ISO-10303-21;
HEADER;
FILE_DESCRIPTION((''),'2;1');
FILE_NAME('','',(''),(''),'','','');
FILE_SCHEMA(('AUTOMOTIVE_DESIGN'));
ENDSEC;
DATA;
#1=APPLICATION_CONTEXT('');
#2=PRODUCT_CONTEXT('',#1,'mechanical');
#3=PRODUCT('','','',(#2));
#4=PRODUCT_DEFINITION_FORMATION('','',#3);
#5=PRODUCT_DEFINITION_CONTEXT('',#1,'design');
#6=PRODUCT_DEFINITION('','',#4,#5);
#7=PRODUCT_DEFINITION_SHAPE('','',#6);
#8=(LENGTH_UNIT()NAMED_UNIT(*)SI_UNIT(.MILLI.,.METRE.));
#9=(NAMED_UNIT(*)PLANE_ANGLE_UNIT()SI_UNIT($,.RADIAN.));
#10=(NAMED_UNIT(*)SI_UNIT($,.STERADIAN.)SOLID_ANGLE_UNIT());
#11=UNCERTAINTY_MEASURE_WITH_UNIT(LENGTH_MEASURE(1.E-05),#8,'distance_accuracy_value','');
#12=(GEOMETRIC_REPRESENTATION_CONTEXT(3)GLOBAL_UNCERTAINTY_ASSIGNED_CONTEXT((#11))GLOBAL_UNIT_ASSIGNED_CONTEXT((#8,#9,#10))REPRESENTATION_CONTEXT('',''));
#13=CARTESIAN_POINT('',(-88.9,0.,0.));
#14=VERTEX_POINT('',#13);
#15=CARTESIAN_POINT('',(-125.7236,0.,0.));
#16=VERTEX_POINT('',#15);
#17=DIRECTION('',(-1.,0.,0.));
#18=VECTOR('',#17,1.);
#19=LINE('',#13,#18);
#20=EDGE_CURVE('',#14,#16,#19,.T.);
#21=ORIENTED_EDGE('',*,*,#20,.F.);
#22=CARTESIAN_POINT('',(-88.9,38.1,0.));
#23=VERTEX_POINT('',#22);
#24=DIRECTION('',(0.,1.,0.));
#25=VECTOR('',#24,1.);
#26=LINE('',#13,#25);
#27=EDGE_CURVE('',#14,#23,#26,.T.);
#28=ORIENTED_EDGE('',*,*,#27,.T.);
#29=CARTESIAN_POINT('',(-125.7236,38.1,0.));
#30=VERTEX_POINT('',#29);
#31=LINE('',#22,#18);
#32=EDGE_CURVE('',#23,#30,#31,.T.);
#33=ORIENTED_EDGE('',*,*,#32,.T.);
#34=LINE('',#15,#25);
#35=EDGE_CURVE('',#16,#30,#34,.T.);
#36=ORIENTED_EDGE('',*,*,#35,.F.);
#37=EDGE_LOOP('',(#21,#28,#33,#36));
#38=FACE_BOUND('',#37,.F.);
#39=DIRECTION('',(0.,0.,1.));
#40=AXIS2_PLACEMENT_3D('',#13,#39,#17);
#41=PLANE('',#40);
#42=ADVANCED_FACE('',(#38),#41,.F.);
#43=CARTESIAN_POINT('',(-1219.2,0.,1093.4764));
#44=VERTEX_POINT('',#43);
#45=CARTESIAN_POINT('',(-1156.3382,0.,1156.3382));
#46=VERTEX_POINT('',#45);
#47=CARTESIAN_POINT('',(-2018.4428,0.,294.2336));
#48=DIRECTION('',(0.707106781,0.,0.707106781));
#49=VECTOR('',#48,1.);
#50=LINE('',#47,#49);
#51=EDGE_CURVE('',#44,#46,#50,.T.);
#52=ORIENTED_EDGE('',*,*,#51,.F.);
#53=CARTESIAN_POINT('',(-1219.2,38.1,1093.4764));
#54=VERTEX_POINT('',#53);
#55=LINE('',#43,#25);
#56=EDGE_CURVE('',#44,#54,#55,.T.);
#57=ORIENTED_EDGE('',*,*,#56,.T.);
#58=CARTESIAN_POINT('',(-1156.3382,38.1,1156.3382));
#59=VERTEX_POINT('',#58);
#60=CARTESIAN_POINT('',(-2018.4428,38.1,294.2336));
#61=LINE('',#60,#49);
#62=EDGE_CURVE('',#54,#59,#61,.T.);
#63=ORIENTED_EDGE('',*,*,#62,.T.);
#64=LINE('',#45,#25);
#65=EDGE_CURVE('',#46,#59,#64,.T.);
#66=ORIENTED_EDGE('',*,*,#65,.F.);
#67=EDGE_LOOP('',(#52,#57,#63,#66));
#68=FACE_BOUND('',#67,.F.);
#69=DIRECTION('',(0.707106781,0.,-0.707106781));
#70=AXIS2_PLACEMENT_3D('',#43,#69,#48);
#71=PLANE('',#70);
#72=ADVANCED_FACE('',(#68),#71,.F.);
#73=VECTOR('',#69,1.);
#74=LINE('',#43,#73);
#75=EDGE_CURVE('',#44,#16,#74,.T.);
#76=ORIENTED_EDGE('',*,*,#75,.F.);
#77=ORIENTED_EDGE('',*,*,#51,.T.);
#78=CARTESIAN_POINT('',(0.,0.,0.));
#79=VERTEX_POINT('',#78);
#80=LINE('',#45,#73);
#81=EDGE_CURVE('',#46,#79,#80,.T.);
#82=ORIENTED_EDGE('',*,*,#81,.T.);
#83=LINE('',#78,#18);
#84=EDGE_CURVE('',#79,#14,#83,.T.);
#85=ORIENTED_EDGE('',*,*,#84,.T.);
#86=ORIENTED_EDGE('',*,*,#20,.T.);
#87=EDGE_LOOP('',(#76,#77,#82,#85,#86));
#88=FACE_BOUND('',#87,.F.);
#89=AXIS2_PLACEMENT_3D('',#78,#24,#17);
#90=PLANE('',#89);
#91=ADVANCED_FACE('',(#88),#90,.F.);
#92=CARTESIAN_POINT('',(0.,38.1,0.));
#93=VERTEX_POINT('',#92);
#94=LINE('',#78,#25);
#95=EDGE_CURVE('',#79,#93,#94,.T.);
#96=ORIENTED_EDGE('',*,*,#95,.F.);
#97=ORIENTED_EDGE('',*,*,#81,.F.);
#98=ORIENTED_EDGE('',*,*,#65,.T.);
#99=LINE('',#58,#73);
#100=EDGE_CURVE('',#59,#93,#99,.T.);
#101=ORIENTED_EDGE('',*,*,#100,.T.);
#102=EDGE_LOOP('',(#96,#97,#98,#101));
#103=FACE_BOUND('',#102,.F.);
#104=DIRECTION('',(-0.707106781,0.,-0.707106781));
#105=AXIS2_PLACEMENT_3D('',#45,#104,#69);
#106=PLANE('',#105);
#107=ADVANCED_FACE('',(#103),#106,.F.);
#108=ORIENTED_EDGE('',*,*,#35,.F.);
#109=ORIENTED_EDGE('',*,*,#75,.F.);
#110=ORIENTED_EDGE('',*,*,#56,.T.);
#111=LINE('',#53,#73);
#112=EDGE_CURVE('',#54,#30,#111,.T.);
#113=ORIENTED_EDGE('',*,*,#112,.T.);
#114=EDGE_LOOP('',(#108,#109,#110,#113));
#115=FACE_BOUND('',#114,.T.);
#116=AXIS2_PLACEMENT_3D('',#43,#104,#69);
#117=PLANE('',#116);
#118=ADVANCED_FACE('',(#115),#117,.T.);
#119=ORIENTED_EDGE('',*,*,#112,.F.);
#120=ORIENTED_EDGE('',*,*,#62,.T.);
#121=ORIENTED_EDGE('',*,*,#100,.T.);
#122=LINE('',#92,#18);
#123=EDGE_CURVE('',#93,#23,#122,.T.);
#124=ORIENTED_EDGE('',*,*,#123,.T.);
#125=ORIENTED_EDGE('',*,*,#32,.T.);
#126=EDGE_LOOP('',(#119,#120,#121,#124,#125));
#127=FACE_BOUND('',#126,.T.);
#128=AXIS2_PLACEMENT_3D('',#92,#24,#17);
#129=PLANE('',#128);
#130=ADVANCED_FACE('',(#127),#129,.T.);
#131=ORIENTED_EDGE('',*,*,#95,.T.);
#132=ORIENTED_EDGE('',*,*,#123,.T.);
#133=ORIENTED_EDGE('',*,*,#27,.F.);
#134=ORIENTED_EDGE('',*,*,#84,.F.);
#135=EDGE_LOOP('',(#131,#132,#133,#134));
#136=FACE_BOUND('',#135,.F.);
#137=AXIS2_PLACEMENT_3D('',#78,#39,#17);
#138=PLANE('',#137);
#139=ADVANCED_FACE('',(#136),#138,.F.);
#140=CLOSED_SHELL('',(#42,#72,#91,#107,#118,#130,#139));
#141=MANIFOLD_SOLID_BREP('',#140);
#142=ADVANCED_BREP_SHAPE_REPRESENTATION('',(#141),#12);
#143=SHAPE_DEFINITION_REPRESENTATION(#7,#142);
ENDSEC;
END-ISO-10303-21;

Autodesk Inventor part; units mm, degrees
ref_plane "YZ Plane" through (0, 0, 0) normal (1, 0, 0) x (0, 1, 0)
ref_plane "XZ Plane" through (0, 0, 0) normal (0, 1, 0) x (-1, 0, 0)
ref_plane "XY Plane" through (0, 0, 0) normal (0, 0, 1) x (1, 0, 0)
sketch "Sketch1" plane through (0, 0, 0) normal (0, 1, 0) x (-1, 0, 0)
  line L0 (0, 0) -> (0, -1219.2)
  line L1 (0, 0) -> (88.9, 0)
  line L2 (88.9, 0) -> (88.9, -1219.2)
  line L3 (88.9, -1219.2) -> (0, -1219.2)
  line L4 (0, 0) -> (0, 1219.2) construction
  line L5 (0, 1219.2) -> (1219.2, 1219.2) construction
  line L6 (0, 1219.2) -> (0, 3657.6) construction
  line L7 (0, 3657.6) -> (0, 4876.8) construction
  line L8 (0, 4876.8) -> (0, 6096) construction
  line L9 (0, -1219.2) -> (2438.4, -1219.2) construction
  line L10 (0, 6096) -> (2438.4, 6096) construction
  line L11 (2438.4, 6096) -> (2438.4, -1219.2) construction
  line L12 (0, 3657.6) -> (0, 3352.8) construction
  line L13 (0, 3352.8) -> (2438.4, 3352.8) construction
  line L14 (2438.4, 3352.8) -> (1219.2, 3352.8)
  line L15 (1219.2, 3352.8) -> (1219.2, 3263.9)
  line L16 (1219.2, 3263.9) -> (2438.4, 3263.9)
  line L17 (2438.4, 3263.9) -> (2438.4, 3352.8)
  line L18 (0, 6096) -> (862.1046, 6958.1046)
  line L19 (862.1046, 6958.1046) -> (924.9664, 6895.2428)
  line L20 (924.9664, 6895.2428) -> (62.8618, 6033.1382)
  line L21 (62.8618, 6033.1382) -> (0, 6096)
  line L22 (0, 4876.8) -> (1219.2, 4876.8) construction
  line L23 (1219.2, 4876.8) -> (2081.3046, 5738.9046)
  line L24 (1219.2, 1219.2) -> (2081.3046, 357.0954)
  line L25 (2081.3046, 357.0954) -> (2018.4428, 294.2336)
  line L26 (2018.4428, 294.2336) -> (1156.3382, 1156.3382)
  line L27 (1156.3382, 1156.3382) -> (1219.2, 1219.2)
  line L28 (2018.4428, 294.2336) -> (88.9, -1219.2)
  line L29 (2081.3046, 357.0954) -> (2144.1664, 419.9572)
  line L30 (2144.1664, 419.9572) -> (1282.0618, 1282.0618)
  line L31 (1282.0618, 1282.0618) -> (1219.2, 1219.2)
  line L32 (2438.4, 3352.8) -> (2438.4, 3441.7)
  line L33 (2438.4, 3441.7) -> (1219.2, 3441.7)
  line L34 (1219.2, 3441.7) -> (1219.2, 3352.8)
  line L35 (1156.3382, 4939.6618) -> (1282.0618, 4813.9382)
  line L36 (2018.4428, 5801.7664) -> (2144.1664, 5676.0428)
  line L37 (1282.0618, 4813.9382) -> (2144.1664, 5676.0428)
  line L38 (2018.4428, 5801.7664) -> (1156.3382, 4939.6618)
  line L39 (2018.4428, 5801.7664) -> (924.9664, 6895.2428)
  line L40 (62.8618, 6033.1382) -> (1156.3382, 4939.6618)
  line L41 (1233.6206, 4168.8855) -> (1267.6412, 4086.7527)
  line L42 (1263.7078, 2313.9849) -> (1230.0006, 2231.7229)
  arc A0 (862.1046, 6958.1046) -> (0, 6096) centre (431.0523, 6527.0523) ccw
  line L43 (1246.8542, 2272.8539) -> (2375.0183, 1810.583)
  line L44 (2391.8719, 1851.7139) -> (2358.1646, 1769.452)
  line L45 (2391.8719, 1851.7139) -> (1263.7078, 2313.9849)
  line L46 (1230.0006, 2231.7229) -> (2358.1646, 1769.452)
  line L47 (1230.0006, 2231.7229) -> (1219.2, 3263.9)
  line L48 (2144.1664, 419.9572) -> (2391.8719, 1851.7139)
  line L49 (2391.8719, 1851.7139) -> (2438.4, 3263.9)
  line L50 (1219.2, 3441.7) -> (1233.6206, 4168.8855)
  line L51 (1250.6309, 4127.8191) -> (2377.0248, 4594.3867)
  line L52 (2360.0145, 4635.4532) -> (2394.0351, 4553.3203)
  line L53 (2394.0351, 4553.3203) -> (1267.6412, 4086.7527)
  line L54 (2360.0145, 4635.4532) -> (1233.6206, 4168.8855)
  line L55 (2394.0351, 4553.3203) -> (2144.1664, 5676.0428)
  line L56 (2438.4, 3441.7) -> (2394.0351, 4553.3203)
  line L57 (2144.1664, 5676.0428) -> (2057.3895, 5656.7301)
  line L58 (2394.0351, 4553.3203) -> (2305.2058, 4549.7751)
  line L59 (2394.0351, 4553.3203) -> (2307.2582, 4534.0076)
  line L60 (2307.2582, 4534.0076) -> (2057.3895, 5656.7301)
  line L61 (2438.4, 3441.7) -> (2349.5707, 3438.1548)
  line L62 (2349.5707, 3438.1548) -> (2305.2058, 4549.7751)
  line L63 (1219.2, 3441.7) -> (1308.0825, 3439.9374)
  line L64 (1233.6206, 4168.8855) -> (1322.5031, 4167.1229)
  line L65 (1322.5031, 4167.1229) -> (1308.0825, 3439.9374)
  line L66 (2018.4428, 5801.7664) -> (1955.581, 5738.9046)
  line L67 (1955.581, 5738.9046) -> (862.1046, 6832.381)
  line L68 (924.9664, 6895.2428) -> (862.1046, 6832.381)
  line L69 (62.8618, 6033.1382) -> (125.7236, 6096)
  line L70 (62.8618, 6033.1382) -> (125.7236, 6096)
  line L71 (125.7236, 6096) -> (1219.2, 5002.5236)
  line L72 (1156.3382, 1156.3382) -> (0, 0)
  line L73 (0, 0) -> (62.8618, -62.8618)
  line L74 (1156.3382, 1156.3382) -> (1219.2, 1093.4764)
  line L75 (1219.2, 1093.4764) -> (62.8618, -62.8618)
  line L76 (2018.4428, 294.2336) -> (1963.5776, 364.1837)
  line L77 (88.9, -1219.2) -> (34.0348, -1149.2499)
  line L78 (34.0348, -1149.2499) -> (1963.5776, 364.1837)
  line L79 (2144.1664, 419.9572) -> (2056.5677, 435.1125)
  line L80 (2391.8719, 1851.7139) -> (2304.2732, 1866.8692)
  line L81 (2391.8719, 1851.7139) -> (2303.0201, 1854.6414)
  line L82 (2304.2732, 1866.8692) -> (2056.5677, 435.1125)
  line L83 (1230.0006, 2231.7229) -> (1318.8957, 2232.6531)
  line L84 (1219.2, 3263.9) -> (1308.0951, 3264.8302)
  line L85 (1308.0951, 3264.8302) -> (1318.8957, 2232.6531)
  line L86 (2438.4, 3263.9) -> (2349.5482, 3266.8275)
  line L87 (2349.5482, 3266.8275) -> (2303.0201, 1854.6414)
  line L88 (88.9, 0) -> (125.7236, 0)
  line L89 (1233.6206, 4168.8855) -> (1219.2, 4876.8)
  line L90 (1233.6206, 4168.8855) -> (1322.5022, 4170.6961)
  line L91 (1219.2, 4876.8) -> (1308.0816, 4878.6106)
  line L92 (1308.0816, 4878.6106) -> (1322.5022, 4170.6961)
  line L93 (1282.0618, 4813.9382) -> (1309.9674, 4786.0326)
  line L94 (1267.6412, 4086.7527) -> (1318.4756, 3964.0275)
  line L95 (2360.0145, 4635.4532) -> (2374.4273, 4641.4231)
  line L96 (1230.0006, 2231.7229) -> (1219.2, 1219.2)
  line L97 (1230.0006, 2231.7229) -> (1318.8955, 2230.7747)
  line L98 (1219.2, 1219.2) -> (1308.0949, 1218.2518)
  line L99 (1308.0949, 1218.2518) -> (1318.8955, 2230.7747)
  line L100 (1282.0618, 1282.0618) -> (1309.0636, 1309.0636)
  point P0 (1770.957, 2057.4547)
  point P1 (1955.1236, 357.5528)
  point P2 (88.9, -1106.2164)
  dimension "d0" = 1219.2
  dimension "d2" = 1219.2
  dimension "d3" = 1219.2
  dimension "d16" = 2438.4
  dimension "d17" = 1219.2
  dimension "d18" = 1219.2
  dimension "d20" = 2438.4
  dimension "d21" = 304.8
  dimension "d22" = 1219.2
  dimension "d23" = 88.9
  dimension "d24" = 1219.2
  dimension "d25" = 45
  dimension "d26" = 88.9
  dimension "d27" = 1219.2
  dimension "d28" = 1219.2
  dimension "d29" = 1219.2
  dimension "d31" = 1219.2
  dimension "d32" = 88.9
  dimension "d33" = 88.9
  dimension "d34" = 88.9
  dimension "d35" = 177.8
  dimension "d36" = 177.8
  dimension "d38" = 88.9
  dimension "d39" = 88.9
  dimension "d43" = 1219.2
  dimension "d44" = 88.9
  dimension "d45" = 1219.2
  dimension "d46" = 88.9
  dimension "d47" = 88.9
  dimension "d48" = 88.9
  dimension "d49" = 88.9
  dimension "d50" = 88.9
  dimension "d51" = 88.9
  dimension "d54" = 88.9
  dimension "d55" = 88.9
  dimension "d57" = 88.9
  dimension "d58" = 88.9
  dimension "d59" = 88.9
  dimension "d60" = 88.9
  dimension "d61" = 88.9
  dimension "d64" = 88.9
  dimension "d65" = 88.9
  dimension "d66" = 88.9
  dimension "d69" = 88.9
  dimension "d70" = 88.9
  dimension "d71" = 88.9
  dimension "d72" = 88.9
extrude "Extrusion1" add sketch "Sketch1" along normal blind 38.1 contours L72 L26 L75 L88 L1
properties part number "S_2x4x64.382"
